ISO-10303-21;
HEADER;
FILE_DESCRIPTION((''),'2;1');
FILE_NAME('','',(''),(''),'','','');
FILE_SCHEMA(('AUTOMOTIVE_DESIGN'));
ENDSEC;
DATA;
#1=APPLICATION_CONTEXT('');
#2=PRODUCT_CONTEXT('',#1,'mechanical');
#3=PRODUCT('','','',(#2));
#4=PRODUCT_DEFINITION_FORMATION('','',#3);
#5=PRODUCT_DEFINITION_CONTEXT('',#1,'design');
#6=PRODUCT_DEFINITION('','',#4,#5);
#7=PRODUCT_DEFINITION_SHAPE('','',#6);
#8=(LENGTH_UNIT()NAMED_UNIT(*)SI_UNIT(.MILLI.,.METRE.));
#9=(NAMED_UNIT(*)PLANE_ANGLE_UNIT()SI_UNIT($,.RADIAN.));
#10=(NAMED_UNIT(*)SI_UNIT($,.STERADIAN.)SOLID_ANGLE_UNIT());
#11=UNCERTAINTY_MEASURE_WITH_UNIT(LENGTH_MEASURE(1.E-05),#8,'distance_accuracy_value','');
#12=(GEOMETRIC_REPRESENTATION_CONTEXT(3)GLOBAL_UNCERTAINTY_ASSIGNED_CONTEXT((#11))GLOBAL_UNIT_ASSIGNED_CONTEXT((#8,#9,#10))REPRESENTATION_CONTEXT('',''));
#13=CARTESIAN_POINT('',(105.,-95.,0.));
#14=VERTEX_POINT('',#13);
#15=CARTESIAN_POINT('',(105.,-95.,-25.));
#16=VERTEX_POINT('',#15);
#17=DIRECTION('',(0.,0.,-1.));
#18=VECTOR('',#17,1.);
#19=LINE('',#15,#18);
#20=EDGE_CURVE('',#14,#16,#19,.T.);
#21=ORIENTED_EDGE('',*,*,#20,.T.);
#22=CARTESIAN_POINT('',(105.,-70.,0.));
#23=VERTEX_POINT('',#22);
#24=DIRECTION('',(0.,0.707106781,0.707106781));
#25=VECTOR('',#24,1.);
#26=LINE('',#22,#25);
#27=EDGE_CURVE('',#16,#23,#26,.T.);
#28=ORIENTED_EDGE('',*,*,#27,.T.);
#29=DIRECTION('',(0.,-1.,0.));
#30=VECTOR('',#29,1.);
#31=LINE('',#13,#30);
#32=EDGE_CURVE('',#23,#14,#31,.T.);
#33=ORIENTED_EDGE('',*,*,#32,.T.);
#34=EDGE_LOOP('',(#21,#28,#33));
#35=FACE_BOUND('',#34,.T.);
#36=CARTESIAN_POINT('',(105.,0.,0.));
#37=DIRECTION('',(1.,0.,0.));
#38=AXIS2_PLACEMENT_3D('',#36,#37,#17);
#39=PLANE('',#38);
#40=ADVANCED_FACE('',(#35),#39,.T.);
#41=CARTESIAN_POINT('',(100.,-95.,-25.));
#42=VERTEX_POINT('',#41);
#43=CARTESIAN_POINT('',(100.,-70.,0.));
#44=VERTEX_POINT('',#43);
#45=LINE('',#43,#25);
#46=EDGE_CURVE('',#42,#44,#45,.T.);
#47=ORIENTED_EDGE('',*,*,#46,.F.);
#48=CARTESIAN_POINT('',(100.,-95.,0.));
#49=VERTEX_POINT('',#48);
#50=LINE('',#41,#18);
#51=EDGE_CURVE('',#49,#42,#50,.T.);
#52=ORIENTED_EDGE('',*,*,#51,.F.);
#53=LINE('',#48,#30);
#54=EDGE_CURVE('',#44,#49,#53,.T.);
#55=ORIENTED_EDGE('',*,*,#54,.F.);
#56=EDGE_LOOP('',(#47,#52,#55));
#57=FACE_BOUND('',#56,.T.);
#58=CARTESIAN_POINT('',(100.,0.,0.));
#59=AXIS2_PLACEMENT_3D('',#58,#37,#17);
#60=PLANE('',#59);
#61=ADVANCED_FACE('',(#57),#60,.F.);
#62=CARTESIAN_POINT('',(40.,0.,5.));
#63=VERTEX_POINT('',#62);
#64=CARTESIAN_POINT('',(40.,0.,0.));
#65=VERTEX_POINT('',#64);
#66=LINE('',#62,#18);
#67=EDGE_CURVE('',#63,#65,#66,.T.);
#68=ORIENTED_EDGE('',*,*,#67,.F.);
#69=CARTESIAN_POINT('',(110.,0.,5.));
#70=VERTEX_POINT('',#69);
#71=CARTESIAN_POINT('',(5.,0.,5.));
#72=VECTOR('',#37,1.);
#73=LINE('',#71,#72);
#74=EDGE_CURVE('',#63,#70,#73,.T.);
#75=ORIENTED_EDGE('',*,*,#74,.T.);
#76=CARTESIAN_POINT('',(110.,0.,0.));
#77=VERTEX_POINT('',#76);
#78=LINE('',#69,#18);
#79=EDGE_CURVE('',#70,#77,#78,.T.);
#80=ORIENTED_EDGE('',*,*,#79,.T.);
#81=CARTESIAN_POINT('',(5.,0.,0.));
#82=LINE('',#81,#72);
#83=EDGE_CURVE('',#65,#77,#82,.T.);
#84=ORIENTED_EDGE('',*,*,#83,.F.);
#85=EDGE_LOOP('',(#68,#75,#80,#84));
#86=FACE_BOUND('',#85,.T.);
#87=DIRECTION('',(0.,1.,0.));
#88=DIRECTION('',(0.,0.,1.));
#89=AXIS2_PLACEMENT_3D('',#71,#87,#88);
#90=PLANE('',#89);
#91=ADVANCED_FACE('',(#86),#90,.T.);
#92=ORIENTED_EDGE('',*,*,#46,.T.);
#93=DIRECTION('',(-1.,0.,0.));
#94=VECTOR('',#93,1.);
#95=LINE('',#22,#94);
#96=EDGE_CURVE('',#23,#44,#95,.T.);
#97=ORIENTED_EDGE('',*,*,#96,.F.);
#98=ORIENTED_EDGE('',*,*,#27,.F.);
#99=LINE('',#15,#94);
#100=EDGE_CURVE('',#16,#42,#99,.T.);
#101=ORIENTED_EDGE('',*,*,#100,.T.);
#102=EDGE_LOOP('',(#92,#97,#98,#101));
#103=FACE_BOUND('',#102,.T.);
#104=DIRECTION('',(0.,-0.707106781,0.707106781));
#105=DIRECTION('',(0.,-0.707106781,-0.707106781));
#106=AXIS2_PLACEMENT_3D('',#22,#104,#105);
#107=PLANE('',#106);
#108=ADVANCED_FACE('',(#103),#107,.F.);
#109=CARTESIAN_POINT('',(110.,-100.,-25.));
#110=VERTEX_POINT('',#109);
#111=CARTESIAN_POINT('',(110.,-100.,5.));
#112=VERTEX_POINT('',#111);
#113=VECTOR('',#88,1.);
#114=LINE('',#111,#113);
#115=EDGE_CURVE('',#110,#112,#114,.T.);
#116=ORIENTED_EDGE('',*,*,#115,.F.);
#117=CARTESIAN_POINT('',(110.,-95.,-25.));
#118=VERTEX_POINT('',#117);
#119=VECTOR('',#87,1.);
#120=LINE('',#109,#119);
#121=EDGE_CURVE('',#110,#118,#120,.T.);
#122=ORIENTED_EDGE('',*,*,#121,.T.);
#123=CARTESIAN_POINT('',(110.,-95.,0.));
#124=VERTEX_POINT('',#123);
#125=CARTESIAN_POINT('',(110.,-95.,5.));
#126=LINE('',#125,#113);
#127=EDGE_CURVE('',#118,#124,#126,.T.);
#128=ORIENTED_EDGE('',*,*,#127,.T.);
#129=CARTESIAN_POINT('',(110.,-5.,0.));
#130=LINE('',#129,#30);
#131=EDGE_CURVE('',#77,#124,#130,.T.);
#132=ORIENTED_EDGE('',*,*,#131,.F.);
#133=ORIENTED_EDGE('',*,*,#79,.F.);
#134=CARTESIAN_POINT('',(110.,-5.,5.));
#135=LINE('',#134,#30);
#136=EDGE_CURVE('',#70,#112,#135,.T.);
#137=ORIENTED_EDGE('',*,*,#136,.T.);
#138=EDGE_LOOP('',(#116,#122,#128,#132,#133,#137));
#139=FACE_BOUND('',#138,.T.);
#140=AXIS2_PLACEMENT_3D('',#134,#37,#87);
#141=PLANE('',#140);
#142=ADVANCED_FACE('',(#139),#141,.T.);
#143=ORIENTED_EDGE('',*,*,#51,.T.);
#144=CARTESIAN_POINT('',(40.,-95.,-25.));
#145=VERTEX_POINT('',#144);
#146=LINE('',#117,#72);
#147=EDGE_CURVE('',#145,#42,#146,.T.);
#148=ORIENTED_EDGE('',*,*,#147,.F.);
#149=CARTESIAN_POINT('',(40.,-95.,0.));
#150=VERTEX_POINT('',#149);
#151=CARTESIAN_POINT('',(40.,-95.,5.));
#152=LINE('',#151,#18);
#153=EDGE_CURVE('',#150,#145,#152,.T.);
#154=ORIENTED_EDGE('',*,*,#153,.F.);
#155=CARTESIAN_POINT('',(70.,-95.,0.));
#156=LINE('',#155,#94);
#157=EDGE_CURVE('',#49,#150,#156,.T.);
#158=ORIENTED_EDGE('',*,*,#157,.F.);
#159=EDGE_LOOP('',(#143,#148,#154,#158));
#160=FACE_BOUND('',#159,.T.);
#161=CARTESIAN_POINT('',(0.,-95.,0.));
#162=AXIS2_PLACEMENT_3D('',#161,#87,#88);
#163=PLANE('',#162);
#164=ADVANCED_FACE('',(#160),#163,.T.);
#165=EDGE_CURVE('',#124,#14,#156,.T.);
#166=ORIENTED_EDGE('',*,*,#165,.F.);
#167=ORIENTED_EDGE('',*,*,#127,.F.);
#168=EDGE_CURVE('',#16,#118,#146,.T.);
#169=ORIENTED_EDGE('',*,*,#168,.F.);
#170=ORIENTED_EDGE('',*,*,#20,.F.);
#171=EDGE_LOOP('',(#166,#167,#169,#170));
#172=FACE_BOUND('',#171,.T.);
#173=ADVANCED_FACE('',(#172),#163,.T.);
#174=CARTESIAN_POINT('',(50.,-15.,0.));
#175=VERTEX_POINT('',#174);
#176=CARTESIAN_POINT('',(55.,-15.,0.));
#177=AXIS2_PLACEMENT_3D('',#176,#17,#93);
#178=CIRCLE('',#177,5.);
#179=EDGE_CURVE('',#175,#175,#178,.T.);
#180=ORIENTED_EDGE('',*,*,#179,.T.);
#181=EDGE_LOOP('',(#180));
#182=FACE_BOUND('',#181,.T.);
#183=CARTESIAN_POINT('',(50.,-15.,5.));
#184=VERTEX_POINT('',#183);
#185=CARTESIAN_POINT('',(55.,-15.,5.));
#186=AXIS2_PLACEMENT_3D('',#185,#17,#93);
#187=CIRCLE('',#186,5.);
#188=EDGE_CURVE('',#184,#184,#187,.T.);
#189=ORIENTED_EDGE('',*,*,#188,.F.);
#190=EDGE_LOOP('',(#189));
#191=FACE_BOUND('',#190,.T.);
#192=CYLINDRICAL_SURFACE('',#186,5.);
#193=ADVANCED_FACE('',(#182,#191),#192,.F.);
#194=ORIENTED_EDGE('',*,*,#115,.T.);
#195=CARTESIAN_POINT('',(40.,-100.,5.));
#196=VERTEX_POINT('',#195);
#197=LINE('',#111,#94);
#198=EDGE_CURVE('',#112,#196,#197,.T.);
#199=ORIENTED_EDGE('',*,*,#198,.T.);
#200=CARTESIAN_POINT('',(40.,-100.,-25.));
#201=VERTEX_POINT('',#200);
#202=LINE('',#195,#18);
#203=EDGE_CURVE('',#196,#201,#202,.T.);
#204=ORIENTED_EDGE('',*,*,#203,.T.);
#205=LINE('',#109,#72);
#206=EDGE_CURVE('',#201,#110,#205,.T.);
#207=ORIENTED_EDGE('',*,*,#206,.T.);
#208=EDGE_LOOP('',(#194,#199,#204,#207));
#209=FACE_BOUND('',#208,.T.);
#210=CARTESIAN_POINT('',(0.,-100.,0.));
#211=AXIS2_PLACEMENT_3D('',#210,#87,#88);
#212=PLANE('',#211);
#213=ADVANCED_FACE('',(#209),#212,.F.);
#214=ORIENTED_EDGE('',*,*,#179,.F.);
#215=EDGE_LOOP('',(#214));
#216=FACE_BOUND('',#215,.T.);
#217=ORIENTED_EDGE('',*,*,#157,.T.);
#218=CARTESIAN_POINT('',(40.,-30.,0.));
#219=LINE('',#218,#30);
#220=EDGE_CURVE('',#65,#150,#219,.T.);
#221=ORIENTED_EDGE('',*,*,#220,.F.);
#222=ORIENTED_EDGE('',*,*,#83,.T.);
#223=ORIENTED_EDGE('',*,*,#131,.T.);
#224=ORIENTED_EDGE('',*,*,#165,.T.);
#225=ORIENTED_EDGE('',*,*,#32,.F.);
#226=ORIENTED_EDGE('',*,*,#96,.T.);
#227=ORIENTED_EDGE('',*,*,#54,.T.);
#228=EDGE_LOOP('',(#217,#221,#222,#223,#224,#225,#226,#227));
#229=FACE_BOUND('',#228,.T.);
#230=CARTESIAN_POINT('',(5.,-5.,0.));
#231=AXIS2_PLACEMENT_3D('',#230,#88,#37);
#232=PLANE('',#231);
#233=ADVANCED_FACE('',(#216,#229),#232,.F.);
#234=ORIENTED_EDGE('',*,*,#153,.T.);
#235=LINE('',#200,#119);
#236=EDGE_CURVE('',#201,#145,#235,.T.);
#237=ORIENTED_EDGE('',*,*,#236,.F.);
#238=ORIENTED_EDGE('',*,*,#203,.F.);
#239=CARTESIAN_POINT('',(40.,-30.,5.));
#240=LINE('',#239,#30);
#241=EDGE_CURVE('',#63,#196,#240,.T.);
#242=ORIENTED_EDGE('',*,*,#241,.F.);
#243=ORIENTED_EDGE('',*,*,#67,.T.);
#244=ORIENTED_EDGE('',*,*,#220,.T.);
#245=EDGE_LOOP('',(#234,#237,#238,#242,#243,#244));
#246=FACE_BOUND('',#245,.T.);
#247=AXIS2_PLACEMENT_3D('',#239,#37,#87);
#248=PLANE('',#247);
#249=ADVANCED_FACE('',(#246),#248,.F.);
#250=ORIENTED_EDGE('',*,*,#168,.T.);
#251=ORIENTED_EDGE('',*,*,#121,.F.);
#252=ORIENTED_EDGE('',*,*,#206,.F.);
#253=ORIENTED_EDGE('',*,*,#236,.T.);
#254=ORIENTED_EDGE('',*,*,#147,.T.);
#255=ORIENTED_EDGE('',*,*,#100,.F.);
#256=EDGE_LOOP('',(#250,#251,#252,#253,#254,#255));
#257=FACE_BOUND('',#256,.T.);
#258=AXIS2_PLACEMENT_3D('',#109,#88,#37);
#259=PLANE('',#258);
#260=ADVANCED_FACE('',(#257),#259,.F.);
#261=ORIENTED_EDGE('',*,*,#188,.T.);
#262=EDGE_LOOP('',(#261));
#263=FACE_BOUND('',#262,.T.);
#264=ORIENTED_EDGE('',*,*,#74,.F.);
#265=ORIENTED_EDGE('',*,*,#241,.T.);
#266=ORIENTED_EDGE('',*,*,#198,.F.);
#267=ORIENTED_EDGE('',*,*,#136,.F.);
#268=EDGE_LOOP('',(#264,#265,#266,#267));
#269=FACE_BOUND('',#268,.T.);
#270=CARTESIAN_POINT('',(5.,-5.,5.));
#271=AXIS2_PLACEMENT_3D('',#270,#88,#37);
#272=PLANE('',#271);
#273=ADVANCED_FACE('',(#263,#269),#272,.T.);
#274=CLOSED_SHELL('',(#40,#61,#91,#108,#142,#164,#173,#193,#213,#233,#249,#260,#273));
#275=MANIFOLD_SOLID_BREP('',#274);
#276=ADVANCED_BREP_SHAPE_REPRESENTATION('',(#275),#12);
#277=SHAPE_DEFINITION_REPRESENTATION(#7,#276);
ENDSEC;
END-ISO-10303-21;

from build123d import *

# Parameters (mm, degrees)
BOSS_EXTRUDE1_DEPTH = 5
SKETCH9_R           = 5
CUT_EXTRUDE4_DEPTH  = 10
SKETCH10_W          = 45.027348062
SKETCH10_H          = 31.505755331
CUT_EXTRUDE5_DEPTH  = 10
SKETCH11_W          = 70
SKETCH11_H          = 95
BOSS_EXTRUDE2_DEPTH = 5
SKETCH12_R          = 5
CUT_EXTRUDE6_DEPTH  = 5
SKETCH13_W          = 70
SKETCH13_H          = 30
BOSS_EXTRUDE3_DEPTH = 5
BOSS_EXTRUDE4_DEPTH = 5


with BuildPart() as part:
    # Sketch1 → Boss-Extrude1 (new body)
    with BuildSketch(Plane.XY):
        with BuildLine():
            Line((5, 0), (70, 0))
            Line((70, 0), (70, -30))
            Line((70, -30), (70, -95))
            Line((70, -95), (40, -95))
            Line((40, -95), (40, -30))
            Line((40, -30), (5, -30))
            ThreePointArc((5, -30), (1.464466094, -28.535533906), (0, -25))
            Line((0, -25), (0, -5))
            ThreePointArc((0, -5), (1.464466094, -1.464466094), (5, 0))
        make_face()
    boss_extrude1 = extrude(amount=BOSS_EXTRUDE1_DEPTH)

    # Mirror4: Boss-Extrude1 across plane
    add(boss_extrude1.mirror(Plane.ZY.offset(-55)))

    # Sketch9 → Cut-Extrude4 (cut)
    with BuildSketch(Plane(origin=(0, 0, 0), x_dir=(-1, 0, 0), z_dir=(0, 0, -1))):
        with Locations((-95, -15)):
            Circle(SKETCH9_R)
    extrude(amount=-CUT_EXTRUDE4_DEPTH, mode=Mode.SUBTRACT)

    # Sketch10 → Cut-Extrude5 (cut)
    with BuildSketch(Plane(origin=(0, 0, 0), x_dir=(-1, 0, 0), z_dir=(0, 0, -1))):
        with Locations((-17.486325969, -14.247122335)):
            Rectangle(SKETCH10_W, SKETCH10_H)
    extrude(amount=-CUT_EXTRUDE5_DEPTH, mode=Mode.SUBTRACT)

    # Sketch11 → Boss-Extrude2 (add)
    with BuildSketch(Plane(origin=(0, 0, 0), x_dir=(-1, 0, 0), z_dir=(0, 0, -1))):
        with Locations((-75, -47.5)):
            Rectangle(SKETCH11_W, SKETCH11_H)
    extrude(amount=-BOSS_EXTRUDE2_DEPTH)

    # Sketch12 → Cut-Extrude6 (cut)
    with BuildSketch(Plane(origin=(0, 0, 0), x_dir=(-1, 0, 0), z_dir=(0, 0, -1))):
        with Locations((-55, -15)):
            Circle(SKETCH12_R)
    extrude(amount=-CUT_EXTRUDE6_DEPTH, mode=Mode.SUBTRACT)

    # Sketch13 → Boss-Extrude3 (add)
    with BuildSketch(Plane.XZ.offset(95)):
        with Locations((75, -10)):
            Rectangle(SKETCH13_W, SKETCH13_H)
    extrude(amount=BOSS_EXTRUDE3_DEPTH)

    # Sketch14 → Boss-Extrude4 (add)
    with BuildSketch(Plane(origin=(100, 0, 0), x_dir=(0, 0, -1), z_dir=(1, 0, 0))):
        Polygon((0, -70), (25, -95), (0, -95), align=None)
    extrude(amount=BOSS_EXTRUDE4_DEPTH)


solid = part.part
